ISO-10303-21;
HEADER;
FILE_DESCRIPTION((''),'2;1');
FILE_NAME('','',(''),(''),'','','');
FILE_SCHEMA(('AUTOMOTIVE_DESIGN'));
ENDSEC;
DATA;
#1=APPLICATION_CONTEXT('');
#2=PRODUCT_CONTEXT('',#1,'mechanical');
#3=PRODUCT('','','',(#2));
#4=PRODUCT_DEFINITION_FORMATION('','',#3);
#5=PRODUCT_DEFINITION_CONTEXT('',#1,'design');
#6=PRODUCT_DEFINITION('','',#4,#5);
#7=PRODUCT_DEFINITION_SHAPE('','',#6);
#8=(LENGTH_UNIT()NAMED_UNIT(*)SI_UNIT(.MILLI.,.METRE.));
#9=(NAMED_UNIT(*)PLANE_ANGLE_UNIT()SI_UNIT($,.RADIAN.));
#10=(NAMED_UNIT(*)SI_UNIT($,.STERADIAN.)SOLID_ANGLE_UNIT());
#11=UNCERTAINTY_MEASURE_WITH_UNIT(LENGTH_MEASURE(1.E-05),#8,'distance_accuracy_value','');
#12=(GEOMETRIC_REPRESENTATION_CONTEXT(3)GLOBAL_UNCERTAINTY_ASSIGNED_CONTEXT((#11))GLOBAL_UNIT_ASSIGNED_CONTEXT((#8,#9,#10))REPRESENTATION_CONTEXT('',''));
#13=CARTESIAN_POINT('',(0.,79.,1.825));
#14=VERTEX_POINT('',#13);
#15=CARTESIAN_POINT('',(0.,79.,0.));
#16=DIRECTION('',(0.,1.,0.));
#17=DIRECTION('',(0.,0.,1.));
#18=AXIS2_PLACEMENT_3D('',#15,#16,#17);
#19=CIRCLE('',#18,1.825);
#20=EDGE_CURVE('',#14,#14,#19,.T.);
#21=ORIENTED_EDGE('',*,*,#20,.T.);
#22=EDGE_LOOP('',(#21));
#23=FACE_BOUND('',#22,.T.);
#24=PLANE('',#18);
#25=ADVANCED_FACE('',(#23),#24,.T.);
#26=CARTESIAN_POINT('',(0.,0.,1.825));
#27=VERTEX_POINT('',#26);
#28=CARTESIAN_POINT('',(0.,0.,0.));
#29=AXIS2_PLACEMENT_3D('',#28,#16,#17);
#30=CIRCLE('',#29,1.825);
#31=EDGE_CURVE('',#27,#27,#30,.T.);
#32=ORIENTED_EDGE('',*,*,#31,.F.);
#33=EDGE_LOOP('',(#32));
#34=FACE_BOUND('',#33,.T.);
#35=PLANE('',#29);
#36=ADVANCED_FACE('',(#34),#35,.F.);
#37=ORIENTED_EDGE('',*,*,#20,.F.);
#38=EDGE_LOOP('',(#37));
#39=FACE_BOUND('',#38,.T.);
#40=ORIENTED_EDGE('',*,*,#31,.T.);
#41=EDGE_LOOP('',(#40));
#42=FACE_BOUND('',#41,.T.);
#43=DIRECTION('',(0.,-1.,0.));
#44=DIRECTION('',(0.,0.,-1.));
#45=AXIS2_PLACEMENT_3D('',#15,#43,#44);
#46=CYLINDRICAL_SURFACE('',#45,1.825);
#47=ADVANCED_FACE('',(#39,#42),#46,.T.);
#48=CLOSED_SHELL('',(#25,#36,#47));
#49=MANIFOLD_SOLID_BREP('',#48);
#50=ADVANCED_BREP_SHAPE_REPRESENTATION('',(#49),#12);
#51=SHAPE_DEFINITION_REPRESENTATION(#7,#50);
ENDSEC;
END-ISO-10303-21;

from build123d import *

# Parameters (mm, degrees)
SKETCH2_R           = 1.825
BOSS_EXTRUDE1_DEPTH = 79


with BuildPart() as part:
    # Sketch2 → Boss-Extrude1 (new body)
    with BuildSketch(Plane(origin=(0, 0, 0), x_dir=(1, 0, 0), z_dir=(0, 1, 0))):
        Circle(SKETCH2_R)
    extrude(amount=BOSS_EXTRUDE1_DEPTH)


solid = part.part
